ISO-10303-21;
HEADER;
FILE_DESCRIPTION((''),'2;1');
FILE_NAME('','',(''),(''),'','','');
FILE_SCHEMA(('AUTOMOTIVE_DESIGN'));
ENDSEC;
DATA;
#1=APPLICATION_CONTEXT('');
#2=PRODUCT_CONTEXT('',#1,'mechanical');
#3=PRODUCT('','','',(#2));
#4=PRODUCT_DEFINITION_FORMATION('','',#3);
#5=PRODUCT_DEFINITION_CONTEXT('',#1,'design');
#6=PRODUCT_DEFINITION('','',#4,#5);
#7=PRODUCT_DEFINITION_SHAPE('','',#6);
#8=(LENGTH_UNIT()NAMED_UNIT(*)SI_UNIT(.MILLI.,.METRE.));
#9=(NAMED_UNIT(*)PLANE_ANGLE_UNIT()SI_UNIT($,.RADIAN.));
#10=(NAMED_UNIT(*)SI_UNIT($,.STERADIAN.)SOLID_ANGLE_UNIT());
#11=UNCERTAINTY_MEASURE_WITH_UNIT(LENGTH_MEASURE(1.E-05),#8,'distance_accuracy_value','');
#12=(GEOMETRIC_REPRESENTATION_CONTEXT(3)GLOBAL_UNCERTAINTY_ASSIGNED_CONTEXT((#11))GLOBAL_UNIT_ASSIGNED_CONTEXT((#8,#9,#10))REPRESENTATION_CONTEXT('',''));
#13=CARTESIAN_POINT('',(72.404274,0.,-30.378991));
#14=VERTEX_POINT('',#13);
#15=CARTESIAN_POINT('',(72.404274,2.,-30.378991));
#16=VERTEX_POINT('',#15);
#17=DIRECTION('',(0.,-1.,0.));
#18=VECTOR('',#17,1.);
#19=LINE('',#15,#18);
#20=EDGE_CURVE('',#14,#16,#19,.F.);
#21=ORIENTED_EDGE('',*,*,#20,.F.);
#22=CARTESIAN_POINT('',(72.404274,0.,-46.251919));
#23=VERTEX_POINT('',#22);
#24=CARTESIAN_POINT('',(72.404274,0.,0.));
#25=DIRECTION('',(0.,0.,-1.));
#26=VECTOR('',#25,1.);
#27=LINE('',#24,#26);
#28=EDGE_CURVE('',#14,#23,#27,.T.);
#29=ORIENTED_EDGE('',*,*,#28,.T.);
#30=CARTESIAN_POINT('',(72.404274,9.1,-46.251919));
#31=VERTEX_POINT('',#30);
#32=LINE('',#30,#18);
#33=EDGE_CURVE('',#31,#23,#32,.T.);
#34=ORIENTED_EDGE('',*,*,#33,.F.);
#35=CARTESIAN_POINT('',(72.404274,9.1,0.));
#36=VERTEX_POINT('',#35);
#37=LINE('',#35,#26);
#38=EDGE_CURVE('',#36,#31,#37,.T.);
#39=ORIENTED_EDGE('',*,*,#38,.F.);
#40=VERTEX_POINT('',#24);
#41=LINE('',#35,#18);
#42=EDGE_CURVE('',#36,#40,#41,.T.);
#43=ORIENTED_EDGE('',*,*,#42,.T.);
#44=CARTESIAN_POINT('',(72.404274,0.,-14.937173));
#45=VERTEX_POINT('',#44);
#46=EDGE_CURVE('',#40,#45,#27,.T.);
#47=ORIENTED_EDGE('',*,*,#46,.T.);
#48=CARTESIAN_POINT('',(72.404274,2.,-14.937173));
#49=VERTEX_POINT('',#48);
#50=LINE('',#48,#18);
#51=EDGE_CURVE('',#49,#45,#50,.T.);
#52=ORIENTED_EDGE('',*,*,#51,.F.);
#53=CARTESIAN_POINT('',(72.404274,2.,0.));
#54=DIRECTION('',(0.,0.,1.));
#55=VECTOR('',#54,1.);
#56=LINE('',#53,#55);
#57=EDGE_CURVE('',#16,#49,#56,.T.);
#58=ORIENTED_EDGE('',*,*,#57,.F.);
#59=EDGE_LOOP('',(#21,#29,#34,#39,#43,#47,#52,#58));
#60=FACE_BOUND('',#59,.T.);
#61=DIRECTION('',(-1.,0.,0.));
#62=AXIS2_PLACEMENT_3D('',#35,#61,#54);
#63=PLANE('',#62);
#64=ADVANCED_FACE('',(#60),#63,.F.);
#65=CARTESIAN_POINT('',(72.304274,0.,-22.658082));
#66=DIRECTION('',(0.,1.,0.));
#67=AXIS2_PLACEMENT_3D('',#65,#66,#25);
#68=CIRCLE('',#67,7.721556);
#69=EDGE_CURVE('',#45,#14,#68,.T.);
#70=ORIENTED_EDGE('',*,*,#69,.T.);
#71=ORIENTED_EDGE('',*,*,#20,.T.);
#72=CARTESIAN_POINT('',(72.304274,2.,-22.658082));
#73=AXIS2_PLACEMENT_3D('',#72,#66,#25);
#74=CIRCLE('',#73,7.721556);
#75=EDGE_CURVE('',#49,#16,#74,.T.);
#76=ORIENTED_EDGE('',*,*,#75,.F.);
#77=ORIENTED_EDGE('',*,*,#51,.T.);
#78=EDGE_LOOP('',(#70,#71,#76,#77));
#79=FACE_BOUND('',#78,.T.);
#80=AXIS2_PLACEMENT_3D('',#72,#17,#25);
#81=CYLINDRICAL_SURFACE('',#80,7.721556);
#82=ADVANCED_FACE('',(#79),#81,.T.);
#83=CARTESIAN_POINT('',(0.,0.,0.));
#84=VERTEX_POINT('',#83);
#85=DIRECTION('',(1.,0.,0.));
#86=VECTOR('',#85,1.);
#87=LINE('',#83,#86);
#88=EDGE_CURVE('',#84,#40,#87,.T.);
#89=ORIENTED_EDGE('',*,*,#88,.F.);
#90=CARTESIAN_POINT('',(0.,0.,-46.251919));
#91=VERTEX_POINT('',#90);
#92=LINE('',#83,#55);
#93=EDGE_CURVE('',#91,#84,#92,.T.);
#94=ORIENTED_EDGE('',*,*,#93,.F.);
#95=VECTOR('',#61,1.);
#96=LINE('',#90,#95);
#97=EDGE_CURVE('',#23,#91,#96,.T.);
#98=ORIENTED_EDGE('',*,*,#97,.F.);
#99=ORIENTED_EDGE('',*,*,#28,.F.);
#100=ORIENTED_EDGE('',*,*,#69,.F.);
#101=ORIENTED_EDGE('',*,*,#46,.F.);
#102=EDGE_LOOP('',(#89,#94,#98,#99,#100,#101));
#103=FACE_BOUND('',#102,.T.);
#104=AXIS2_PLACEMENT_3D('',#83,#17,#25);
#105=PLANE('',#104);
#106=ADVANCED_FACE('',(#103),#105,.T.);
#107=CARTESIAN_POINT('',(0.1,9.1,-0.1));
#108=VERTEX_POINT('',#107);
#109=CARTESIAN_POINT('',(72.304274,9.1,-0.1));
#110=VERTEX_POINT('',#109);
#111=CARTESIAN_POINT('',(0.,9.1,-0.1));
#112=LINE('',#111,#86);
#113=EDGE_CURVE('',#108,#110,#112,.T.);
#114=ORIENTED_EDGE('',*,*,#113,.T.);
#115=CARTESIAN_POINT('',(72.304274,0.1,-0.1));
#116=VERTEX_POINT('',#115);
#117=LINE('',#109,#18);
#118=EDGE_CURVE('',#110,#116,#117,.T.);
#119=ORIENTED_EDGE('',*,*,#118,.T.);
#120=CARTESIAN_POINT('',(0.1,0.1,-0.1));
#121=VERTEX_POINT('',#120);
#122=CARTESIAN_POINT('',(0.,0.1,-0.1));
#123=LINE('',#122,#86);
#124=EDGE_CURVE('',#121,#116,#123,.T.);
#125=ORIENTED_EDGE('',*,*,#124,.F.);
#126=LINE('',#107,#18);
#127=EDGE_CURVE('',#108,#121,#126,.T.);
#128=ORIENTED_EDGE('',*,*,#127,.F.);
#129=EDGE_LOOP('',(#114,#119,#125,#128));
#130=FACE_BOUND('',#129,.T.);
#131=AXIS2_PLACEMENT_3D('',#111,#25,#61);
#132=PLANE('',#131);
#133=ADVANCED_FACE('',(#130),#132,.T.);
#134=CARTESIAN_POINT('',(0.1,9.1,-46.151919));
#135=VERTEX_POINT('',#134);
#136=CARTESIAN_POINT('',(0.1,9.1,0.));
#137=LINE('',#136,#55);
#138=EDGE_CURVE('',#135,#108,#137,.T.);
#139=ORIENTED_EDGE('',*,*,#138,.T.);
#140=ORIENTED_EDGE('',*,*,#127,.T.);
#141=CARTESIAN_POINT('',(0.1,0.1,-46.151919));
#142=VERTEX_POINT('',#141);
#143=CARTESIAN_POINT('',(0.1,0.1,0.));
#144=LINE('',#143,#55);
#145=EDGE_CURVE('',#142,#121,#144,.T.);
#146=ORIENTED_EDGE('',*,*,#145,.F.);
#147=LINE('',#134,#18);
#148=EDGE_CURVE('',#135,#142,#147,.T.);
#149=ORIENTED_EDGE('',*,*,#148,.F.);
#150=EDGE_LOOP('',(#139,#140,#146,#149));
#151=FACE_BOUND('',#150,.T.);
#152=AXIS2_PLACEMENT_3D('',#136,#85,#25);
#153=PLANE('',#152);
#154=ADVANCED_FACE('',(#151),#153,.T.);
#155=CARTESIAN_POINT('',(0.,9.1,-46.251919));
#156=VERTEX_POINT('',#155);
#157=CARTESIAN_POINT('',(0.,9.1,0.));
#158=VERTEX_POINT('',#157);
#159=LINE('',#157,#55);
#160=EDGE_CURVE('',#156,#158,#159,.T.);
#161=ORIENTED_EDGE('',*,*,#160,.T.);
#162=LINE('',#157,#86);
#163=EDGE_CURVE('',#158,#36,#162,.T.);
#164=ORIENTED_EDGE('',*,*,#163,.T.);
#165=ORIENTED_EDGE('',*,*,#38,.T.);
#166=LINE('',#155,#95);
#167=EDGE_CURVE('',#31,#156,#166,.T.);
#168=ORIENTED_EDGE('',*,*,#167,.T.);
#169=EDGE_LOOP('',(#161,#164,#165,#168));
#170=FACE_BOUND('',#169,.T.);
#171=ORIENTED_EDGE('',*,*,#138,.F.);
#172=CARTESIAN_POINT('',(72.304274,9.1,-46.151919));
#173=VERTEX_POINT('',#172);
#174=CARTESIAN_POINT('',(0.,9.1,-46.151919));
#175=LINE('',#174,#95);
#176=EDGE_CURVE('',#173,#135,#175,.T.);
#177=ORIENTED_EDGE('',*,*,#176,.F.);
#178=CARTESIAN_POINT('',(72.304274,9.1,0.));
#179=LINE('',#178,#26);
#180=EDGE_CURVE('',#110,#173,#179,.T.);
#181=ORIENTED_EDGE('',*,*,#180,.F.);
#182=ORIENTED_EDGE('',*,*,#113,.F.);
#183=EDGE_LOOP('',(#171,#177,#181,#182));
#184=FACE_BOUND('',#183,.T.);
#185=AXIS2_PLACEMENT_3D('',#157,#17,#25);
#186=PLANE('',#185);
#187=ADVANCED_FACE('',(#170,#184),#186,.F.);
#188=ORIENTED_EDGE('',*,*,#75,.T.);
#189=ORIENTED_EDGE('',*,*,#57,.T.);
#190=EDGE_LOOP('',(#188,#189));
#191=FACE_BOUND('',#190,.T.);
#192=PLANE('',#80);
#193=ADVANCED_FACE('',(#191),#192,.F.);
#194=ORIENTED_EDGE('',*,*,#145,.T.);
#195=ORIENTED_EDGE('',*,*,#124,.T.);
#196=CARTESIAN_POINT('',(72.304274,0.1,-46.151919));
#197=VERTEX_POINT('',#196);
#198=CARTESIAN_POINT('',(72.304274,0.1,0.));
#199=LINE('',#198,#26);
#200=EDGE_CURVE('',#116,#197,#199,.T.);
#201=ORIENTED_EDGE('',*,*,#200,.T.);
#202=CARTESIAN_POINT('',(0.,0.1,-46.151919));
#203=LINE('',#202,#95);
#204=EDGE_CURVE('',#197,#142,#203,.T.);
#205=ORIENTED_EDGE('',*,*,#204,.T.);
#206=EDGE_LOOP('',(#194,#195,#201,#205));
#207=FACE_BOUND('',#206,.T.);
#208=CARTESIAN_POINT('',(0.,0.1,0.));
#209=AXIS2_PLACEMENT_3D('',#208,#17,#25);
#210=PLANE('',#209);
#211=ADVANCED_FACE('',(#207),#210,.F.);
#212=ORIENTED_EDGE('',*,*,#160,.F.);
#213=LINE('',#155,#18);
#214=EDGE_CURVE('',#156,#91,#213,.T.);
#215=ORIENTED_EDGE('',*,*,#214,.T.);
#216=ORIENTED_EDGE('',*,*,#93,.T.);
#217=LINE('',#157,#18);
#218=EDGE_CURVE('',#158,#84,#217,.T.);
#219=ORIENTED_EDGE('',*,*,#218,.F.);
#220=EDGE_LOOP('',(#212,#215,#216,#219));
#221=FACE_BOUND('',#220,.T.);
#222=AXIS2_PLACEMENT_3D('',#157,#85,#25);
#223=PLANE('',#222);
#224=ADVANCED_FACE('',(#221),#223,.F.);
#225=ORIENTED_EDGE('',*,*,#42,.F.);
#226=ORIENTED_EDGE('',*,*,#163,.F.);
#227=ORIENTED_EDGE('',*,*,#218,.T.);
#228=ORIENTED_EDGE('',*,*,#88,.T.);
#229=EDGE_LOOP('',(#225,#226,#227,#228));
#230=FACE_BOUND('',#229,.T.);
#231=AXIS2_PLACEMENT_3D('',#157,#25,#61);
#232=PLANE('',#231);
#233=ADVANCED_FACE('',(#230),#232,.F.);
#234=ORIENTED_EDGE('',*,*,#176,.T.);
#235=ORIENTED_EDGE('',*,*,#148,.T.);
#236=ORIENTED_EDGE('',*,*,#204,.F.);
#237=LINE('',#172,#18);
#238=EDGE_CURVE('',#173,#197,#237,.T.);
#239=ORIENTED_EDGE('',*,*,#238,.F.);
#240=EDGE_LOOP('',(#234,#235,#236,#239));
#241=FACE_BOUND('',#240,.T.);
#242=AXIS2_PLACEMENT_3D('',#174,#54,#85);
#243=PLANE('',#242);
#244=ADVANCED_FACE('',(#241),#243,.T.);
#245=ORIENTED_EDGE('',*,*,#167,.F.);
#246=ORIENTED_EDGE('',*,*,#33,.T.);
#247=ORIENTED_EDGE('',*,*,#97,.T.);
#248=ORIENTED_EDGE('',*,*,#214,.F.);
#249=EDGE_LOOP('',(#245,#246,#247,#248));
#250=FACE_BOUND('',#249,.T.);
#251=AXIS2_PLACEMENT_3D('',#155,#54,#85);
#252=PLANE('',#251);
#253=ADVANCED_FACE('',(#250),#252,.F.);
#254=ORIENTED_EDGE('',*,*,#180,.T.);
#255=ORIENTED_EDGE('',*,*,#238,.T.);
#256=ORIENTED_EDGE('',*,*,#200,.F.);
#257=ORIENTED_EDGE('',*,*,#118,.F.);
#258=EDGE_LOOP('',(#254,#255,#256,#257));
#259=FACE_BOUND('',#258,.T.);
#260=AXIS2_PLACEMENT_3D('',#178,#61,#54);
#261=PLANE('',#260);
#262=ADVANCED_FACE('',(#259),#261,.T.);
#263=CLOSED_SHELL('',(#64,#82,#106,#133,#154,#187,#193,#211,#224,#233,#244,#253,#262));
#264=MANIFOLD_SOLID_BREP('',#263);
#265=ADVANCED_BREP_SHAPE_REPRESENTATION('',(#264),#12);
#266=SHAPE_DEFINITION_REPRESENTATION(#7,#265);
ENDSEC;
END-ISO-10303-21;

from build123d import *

# Parameters (mm, degrees)
CROQUIS1_W              = 72.404273835
CROQUIS1_H              = 46.251918891
SALIENTE_EXTRUIR1_DEPTH = 9.1
VACIADO2_T              = -0.1
SALIENTE_EXTRUIR2_DEPTH = 2


with BuildPart() as part:
    # Croquis1 → Saliente-Extruir1 (new body)
    with BuildSketch(Plane(origin=(0, 0, 0), x_dir=(1, 0, 0), z_dir=(0, 1, 0))):
        with Locations((36.202136917, 23.125959446)):
            Rectangle(CROQUIS1_W, CROQUIS1_H)
    extrude(amount=SALIENTE_EXTRUIR1_DEPTH)

    # Vaciado2
    vaciado2_openings = [part.faces().sort_by_distance(p)[0] for p in [
        (36.202136917, 9.1, -23.125959446),
    ]]
    offset(amount=VACIADO2_T, openings=vaciado2_openings, kind=Kind.INTERSECTION)

    # Croquis2 → Saliente-Extruir2 (add)
    with BuildSketch(Plane(origin=(0, 0, 0), x_dir=(1, 0, 0), z_dir=(0, 1, 0))):
        with BuildLine():
            Line((72.304273835, 14.936525207), (72.304273835, 30.379638096))
            ThreePointArc((72.304273835, 30.379638096), (80.025830279, 22.658081652), (72.304273835, 14.936525207))
        make_face()
    extrude(amount=SALIENTE_EXTRUIR2_DEPTH)


solid = part.part
